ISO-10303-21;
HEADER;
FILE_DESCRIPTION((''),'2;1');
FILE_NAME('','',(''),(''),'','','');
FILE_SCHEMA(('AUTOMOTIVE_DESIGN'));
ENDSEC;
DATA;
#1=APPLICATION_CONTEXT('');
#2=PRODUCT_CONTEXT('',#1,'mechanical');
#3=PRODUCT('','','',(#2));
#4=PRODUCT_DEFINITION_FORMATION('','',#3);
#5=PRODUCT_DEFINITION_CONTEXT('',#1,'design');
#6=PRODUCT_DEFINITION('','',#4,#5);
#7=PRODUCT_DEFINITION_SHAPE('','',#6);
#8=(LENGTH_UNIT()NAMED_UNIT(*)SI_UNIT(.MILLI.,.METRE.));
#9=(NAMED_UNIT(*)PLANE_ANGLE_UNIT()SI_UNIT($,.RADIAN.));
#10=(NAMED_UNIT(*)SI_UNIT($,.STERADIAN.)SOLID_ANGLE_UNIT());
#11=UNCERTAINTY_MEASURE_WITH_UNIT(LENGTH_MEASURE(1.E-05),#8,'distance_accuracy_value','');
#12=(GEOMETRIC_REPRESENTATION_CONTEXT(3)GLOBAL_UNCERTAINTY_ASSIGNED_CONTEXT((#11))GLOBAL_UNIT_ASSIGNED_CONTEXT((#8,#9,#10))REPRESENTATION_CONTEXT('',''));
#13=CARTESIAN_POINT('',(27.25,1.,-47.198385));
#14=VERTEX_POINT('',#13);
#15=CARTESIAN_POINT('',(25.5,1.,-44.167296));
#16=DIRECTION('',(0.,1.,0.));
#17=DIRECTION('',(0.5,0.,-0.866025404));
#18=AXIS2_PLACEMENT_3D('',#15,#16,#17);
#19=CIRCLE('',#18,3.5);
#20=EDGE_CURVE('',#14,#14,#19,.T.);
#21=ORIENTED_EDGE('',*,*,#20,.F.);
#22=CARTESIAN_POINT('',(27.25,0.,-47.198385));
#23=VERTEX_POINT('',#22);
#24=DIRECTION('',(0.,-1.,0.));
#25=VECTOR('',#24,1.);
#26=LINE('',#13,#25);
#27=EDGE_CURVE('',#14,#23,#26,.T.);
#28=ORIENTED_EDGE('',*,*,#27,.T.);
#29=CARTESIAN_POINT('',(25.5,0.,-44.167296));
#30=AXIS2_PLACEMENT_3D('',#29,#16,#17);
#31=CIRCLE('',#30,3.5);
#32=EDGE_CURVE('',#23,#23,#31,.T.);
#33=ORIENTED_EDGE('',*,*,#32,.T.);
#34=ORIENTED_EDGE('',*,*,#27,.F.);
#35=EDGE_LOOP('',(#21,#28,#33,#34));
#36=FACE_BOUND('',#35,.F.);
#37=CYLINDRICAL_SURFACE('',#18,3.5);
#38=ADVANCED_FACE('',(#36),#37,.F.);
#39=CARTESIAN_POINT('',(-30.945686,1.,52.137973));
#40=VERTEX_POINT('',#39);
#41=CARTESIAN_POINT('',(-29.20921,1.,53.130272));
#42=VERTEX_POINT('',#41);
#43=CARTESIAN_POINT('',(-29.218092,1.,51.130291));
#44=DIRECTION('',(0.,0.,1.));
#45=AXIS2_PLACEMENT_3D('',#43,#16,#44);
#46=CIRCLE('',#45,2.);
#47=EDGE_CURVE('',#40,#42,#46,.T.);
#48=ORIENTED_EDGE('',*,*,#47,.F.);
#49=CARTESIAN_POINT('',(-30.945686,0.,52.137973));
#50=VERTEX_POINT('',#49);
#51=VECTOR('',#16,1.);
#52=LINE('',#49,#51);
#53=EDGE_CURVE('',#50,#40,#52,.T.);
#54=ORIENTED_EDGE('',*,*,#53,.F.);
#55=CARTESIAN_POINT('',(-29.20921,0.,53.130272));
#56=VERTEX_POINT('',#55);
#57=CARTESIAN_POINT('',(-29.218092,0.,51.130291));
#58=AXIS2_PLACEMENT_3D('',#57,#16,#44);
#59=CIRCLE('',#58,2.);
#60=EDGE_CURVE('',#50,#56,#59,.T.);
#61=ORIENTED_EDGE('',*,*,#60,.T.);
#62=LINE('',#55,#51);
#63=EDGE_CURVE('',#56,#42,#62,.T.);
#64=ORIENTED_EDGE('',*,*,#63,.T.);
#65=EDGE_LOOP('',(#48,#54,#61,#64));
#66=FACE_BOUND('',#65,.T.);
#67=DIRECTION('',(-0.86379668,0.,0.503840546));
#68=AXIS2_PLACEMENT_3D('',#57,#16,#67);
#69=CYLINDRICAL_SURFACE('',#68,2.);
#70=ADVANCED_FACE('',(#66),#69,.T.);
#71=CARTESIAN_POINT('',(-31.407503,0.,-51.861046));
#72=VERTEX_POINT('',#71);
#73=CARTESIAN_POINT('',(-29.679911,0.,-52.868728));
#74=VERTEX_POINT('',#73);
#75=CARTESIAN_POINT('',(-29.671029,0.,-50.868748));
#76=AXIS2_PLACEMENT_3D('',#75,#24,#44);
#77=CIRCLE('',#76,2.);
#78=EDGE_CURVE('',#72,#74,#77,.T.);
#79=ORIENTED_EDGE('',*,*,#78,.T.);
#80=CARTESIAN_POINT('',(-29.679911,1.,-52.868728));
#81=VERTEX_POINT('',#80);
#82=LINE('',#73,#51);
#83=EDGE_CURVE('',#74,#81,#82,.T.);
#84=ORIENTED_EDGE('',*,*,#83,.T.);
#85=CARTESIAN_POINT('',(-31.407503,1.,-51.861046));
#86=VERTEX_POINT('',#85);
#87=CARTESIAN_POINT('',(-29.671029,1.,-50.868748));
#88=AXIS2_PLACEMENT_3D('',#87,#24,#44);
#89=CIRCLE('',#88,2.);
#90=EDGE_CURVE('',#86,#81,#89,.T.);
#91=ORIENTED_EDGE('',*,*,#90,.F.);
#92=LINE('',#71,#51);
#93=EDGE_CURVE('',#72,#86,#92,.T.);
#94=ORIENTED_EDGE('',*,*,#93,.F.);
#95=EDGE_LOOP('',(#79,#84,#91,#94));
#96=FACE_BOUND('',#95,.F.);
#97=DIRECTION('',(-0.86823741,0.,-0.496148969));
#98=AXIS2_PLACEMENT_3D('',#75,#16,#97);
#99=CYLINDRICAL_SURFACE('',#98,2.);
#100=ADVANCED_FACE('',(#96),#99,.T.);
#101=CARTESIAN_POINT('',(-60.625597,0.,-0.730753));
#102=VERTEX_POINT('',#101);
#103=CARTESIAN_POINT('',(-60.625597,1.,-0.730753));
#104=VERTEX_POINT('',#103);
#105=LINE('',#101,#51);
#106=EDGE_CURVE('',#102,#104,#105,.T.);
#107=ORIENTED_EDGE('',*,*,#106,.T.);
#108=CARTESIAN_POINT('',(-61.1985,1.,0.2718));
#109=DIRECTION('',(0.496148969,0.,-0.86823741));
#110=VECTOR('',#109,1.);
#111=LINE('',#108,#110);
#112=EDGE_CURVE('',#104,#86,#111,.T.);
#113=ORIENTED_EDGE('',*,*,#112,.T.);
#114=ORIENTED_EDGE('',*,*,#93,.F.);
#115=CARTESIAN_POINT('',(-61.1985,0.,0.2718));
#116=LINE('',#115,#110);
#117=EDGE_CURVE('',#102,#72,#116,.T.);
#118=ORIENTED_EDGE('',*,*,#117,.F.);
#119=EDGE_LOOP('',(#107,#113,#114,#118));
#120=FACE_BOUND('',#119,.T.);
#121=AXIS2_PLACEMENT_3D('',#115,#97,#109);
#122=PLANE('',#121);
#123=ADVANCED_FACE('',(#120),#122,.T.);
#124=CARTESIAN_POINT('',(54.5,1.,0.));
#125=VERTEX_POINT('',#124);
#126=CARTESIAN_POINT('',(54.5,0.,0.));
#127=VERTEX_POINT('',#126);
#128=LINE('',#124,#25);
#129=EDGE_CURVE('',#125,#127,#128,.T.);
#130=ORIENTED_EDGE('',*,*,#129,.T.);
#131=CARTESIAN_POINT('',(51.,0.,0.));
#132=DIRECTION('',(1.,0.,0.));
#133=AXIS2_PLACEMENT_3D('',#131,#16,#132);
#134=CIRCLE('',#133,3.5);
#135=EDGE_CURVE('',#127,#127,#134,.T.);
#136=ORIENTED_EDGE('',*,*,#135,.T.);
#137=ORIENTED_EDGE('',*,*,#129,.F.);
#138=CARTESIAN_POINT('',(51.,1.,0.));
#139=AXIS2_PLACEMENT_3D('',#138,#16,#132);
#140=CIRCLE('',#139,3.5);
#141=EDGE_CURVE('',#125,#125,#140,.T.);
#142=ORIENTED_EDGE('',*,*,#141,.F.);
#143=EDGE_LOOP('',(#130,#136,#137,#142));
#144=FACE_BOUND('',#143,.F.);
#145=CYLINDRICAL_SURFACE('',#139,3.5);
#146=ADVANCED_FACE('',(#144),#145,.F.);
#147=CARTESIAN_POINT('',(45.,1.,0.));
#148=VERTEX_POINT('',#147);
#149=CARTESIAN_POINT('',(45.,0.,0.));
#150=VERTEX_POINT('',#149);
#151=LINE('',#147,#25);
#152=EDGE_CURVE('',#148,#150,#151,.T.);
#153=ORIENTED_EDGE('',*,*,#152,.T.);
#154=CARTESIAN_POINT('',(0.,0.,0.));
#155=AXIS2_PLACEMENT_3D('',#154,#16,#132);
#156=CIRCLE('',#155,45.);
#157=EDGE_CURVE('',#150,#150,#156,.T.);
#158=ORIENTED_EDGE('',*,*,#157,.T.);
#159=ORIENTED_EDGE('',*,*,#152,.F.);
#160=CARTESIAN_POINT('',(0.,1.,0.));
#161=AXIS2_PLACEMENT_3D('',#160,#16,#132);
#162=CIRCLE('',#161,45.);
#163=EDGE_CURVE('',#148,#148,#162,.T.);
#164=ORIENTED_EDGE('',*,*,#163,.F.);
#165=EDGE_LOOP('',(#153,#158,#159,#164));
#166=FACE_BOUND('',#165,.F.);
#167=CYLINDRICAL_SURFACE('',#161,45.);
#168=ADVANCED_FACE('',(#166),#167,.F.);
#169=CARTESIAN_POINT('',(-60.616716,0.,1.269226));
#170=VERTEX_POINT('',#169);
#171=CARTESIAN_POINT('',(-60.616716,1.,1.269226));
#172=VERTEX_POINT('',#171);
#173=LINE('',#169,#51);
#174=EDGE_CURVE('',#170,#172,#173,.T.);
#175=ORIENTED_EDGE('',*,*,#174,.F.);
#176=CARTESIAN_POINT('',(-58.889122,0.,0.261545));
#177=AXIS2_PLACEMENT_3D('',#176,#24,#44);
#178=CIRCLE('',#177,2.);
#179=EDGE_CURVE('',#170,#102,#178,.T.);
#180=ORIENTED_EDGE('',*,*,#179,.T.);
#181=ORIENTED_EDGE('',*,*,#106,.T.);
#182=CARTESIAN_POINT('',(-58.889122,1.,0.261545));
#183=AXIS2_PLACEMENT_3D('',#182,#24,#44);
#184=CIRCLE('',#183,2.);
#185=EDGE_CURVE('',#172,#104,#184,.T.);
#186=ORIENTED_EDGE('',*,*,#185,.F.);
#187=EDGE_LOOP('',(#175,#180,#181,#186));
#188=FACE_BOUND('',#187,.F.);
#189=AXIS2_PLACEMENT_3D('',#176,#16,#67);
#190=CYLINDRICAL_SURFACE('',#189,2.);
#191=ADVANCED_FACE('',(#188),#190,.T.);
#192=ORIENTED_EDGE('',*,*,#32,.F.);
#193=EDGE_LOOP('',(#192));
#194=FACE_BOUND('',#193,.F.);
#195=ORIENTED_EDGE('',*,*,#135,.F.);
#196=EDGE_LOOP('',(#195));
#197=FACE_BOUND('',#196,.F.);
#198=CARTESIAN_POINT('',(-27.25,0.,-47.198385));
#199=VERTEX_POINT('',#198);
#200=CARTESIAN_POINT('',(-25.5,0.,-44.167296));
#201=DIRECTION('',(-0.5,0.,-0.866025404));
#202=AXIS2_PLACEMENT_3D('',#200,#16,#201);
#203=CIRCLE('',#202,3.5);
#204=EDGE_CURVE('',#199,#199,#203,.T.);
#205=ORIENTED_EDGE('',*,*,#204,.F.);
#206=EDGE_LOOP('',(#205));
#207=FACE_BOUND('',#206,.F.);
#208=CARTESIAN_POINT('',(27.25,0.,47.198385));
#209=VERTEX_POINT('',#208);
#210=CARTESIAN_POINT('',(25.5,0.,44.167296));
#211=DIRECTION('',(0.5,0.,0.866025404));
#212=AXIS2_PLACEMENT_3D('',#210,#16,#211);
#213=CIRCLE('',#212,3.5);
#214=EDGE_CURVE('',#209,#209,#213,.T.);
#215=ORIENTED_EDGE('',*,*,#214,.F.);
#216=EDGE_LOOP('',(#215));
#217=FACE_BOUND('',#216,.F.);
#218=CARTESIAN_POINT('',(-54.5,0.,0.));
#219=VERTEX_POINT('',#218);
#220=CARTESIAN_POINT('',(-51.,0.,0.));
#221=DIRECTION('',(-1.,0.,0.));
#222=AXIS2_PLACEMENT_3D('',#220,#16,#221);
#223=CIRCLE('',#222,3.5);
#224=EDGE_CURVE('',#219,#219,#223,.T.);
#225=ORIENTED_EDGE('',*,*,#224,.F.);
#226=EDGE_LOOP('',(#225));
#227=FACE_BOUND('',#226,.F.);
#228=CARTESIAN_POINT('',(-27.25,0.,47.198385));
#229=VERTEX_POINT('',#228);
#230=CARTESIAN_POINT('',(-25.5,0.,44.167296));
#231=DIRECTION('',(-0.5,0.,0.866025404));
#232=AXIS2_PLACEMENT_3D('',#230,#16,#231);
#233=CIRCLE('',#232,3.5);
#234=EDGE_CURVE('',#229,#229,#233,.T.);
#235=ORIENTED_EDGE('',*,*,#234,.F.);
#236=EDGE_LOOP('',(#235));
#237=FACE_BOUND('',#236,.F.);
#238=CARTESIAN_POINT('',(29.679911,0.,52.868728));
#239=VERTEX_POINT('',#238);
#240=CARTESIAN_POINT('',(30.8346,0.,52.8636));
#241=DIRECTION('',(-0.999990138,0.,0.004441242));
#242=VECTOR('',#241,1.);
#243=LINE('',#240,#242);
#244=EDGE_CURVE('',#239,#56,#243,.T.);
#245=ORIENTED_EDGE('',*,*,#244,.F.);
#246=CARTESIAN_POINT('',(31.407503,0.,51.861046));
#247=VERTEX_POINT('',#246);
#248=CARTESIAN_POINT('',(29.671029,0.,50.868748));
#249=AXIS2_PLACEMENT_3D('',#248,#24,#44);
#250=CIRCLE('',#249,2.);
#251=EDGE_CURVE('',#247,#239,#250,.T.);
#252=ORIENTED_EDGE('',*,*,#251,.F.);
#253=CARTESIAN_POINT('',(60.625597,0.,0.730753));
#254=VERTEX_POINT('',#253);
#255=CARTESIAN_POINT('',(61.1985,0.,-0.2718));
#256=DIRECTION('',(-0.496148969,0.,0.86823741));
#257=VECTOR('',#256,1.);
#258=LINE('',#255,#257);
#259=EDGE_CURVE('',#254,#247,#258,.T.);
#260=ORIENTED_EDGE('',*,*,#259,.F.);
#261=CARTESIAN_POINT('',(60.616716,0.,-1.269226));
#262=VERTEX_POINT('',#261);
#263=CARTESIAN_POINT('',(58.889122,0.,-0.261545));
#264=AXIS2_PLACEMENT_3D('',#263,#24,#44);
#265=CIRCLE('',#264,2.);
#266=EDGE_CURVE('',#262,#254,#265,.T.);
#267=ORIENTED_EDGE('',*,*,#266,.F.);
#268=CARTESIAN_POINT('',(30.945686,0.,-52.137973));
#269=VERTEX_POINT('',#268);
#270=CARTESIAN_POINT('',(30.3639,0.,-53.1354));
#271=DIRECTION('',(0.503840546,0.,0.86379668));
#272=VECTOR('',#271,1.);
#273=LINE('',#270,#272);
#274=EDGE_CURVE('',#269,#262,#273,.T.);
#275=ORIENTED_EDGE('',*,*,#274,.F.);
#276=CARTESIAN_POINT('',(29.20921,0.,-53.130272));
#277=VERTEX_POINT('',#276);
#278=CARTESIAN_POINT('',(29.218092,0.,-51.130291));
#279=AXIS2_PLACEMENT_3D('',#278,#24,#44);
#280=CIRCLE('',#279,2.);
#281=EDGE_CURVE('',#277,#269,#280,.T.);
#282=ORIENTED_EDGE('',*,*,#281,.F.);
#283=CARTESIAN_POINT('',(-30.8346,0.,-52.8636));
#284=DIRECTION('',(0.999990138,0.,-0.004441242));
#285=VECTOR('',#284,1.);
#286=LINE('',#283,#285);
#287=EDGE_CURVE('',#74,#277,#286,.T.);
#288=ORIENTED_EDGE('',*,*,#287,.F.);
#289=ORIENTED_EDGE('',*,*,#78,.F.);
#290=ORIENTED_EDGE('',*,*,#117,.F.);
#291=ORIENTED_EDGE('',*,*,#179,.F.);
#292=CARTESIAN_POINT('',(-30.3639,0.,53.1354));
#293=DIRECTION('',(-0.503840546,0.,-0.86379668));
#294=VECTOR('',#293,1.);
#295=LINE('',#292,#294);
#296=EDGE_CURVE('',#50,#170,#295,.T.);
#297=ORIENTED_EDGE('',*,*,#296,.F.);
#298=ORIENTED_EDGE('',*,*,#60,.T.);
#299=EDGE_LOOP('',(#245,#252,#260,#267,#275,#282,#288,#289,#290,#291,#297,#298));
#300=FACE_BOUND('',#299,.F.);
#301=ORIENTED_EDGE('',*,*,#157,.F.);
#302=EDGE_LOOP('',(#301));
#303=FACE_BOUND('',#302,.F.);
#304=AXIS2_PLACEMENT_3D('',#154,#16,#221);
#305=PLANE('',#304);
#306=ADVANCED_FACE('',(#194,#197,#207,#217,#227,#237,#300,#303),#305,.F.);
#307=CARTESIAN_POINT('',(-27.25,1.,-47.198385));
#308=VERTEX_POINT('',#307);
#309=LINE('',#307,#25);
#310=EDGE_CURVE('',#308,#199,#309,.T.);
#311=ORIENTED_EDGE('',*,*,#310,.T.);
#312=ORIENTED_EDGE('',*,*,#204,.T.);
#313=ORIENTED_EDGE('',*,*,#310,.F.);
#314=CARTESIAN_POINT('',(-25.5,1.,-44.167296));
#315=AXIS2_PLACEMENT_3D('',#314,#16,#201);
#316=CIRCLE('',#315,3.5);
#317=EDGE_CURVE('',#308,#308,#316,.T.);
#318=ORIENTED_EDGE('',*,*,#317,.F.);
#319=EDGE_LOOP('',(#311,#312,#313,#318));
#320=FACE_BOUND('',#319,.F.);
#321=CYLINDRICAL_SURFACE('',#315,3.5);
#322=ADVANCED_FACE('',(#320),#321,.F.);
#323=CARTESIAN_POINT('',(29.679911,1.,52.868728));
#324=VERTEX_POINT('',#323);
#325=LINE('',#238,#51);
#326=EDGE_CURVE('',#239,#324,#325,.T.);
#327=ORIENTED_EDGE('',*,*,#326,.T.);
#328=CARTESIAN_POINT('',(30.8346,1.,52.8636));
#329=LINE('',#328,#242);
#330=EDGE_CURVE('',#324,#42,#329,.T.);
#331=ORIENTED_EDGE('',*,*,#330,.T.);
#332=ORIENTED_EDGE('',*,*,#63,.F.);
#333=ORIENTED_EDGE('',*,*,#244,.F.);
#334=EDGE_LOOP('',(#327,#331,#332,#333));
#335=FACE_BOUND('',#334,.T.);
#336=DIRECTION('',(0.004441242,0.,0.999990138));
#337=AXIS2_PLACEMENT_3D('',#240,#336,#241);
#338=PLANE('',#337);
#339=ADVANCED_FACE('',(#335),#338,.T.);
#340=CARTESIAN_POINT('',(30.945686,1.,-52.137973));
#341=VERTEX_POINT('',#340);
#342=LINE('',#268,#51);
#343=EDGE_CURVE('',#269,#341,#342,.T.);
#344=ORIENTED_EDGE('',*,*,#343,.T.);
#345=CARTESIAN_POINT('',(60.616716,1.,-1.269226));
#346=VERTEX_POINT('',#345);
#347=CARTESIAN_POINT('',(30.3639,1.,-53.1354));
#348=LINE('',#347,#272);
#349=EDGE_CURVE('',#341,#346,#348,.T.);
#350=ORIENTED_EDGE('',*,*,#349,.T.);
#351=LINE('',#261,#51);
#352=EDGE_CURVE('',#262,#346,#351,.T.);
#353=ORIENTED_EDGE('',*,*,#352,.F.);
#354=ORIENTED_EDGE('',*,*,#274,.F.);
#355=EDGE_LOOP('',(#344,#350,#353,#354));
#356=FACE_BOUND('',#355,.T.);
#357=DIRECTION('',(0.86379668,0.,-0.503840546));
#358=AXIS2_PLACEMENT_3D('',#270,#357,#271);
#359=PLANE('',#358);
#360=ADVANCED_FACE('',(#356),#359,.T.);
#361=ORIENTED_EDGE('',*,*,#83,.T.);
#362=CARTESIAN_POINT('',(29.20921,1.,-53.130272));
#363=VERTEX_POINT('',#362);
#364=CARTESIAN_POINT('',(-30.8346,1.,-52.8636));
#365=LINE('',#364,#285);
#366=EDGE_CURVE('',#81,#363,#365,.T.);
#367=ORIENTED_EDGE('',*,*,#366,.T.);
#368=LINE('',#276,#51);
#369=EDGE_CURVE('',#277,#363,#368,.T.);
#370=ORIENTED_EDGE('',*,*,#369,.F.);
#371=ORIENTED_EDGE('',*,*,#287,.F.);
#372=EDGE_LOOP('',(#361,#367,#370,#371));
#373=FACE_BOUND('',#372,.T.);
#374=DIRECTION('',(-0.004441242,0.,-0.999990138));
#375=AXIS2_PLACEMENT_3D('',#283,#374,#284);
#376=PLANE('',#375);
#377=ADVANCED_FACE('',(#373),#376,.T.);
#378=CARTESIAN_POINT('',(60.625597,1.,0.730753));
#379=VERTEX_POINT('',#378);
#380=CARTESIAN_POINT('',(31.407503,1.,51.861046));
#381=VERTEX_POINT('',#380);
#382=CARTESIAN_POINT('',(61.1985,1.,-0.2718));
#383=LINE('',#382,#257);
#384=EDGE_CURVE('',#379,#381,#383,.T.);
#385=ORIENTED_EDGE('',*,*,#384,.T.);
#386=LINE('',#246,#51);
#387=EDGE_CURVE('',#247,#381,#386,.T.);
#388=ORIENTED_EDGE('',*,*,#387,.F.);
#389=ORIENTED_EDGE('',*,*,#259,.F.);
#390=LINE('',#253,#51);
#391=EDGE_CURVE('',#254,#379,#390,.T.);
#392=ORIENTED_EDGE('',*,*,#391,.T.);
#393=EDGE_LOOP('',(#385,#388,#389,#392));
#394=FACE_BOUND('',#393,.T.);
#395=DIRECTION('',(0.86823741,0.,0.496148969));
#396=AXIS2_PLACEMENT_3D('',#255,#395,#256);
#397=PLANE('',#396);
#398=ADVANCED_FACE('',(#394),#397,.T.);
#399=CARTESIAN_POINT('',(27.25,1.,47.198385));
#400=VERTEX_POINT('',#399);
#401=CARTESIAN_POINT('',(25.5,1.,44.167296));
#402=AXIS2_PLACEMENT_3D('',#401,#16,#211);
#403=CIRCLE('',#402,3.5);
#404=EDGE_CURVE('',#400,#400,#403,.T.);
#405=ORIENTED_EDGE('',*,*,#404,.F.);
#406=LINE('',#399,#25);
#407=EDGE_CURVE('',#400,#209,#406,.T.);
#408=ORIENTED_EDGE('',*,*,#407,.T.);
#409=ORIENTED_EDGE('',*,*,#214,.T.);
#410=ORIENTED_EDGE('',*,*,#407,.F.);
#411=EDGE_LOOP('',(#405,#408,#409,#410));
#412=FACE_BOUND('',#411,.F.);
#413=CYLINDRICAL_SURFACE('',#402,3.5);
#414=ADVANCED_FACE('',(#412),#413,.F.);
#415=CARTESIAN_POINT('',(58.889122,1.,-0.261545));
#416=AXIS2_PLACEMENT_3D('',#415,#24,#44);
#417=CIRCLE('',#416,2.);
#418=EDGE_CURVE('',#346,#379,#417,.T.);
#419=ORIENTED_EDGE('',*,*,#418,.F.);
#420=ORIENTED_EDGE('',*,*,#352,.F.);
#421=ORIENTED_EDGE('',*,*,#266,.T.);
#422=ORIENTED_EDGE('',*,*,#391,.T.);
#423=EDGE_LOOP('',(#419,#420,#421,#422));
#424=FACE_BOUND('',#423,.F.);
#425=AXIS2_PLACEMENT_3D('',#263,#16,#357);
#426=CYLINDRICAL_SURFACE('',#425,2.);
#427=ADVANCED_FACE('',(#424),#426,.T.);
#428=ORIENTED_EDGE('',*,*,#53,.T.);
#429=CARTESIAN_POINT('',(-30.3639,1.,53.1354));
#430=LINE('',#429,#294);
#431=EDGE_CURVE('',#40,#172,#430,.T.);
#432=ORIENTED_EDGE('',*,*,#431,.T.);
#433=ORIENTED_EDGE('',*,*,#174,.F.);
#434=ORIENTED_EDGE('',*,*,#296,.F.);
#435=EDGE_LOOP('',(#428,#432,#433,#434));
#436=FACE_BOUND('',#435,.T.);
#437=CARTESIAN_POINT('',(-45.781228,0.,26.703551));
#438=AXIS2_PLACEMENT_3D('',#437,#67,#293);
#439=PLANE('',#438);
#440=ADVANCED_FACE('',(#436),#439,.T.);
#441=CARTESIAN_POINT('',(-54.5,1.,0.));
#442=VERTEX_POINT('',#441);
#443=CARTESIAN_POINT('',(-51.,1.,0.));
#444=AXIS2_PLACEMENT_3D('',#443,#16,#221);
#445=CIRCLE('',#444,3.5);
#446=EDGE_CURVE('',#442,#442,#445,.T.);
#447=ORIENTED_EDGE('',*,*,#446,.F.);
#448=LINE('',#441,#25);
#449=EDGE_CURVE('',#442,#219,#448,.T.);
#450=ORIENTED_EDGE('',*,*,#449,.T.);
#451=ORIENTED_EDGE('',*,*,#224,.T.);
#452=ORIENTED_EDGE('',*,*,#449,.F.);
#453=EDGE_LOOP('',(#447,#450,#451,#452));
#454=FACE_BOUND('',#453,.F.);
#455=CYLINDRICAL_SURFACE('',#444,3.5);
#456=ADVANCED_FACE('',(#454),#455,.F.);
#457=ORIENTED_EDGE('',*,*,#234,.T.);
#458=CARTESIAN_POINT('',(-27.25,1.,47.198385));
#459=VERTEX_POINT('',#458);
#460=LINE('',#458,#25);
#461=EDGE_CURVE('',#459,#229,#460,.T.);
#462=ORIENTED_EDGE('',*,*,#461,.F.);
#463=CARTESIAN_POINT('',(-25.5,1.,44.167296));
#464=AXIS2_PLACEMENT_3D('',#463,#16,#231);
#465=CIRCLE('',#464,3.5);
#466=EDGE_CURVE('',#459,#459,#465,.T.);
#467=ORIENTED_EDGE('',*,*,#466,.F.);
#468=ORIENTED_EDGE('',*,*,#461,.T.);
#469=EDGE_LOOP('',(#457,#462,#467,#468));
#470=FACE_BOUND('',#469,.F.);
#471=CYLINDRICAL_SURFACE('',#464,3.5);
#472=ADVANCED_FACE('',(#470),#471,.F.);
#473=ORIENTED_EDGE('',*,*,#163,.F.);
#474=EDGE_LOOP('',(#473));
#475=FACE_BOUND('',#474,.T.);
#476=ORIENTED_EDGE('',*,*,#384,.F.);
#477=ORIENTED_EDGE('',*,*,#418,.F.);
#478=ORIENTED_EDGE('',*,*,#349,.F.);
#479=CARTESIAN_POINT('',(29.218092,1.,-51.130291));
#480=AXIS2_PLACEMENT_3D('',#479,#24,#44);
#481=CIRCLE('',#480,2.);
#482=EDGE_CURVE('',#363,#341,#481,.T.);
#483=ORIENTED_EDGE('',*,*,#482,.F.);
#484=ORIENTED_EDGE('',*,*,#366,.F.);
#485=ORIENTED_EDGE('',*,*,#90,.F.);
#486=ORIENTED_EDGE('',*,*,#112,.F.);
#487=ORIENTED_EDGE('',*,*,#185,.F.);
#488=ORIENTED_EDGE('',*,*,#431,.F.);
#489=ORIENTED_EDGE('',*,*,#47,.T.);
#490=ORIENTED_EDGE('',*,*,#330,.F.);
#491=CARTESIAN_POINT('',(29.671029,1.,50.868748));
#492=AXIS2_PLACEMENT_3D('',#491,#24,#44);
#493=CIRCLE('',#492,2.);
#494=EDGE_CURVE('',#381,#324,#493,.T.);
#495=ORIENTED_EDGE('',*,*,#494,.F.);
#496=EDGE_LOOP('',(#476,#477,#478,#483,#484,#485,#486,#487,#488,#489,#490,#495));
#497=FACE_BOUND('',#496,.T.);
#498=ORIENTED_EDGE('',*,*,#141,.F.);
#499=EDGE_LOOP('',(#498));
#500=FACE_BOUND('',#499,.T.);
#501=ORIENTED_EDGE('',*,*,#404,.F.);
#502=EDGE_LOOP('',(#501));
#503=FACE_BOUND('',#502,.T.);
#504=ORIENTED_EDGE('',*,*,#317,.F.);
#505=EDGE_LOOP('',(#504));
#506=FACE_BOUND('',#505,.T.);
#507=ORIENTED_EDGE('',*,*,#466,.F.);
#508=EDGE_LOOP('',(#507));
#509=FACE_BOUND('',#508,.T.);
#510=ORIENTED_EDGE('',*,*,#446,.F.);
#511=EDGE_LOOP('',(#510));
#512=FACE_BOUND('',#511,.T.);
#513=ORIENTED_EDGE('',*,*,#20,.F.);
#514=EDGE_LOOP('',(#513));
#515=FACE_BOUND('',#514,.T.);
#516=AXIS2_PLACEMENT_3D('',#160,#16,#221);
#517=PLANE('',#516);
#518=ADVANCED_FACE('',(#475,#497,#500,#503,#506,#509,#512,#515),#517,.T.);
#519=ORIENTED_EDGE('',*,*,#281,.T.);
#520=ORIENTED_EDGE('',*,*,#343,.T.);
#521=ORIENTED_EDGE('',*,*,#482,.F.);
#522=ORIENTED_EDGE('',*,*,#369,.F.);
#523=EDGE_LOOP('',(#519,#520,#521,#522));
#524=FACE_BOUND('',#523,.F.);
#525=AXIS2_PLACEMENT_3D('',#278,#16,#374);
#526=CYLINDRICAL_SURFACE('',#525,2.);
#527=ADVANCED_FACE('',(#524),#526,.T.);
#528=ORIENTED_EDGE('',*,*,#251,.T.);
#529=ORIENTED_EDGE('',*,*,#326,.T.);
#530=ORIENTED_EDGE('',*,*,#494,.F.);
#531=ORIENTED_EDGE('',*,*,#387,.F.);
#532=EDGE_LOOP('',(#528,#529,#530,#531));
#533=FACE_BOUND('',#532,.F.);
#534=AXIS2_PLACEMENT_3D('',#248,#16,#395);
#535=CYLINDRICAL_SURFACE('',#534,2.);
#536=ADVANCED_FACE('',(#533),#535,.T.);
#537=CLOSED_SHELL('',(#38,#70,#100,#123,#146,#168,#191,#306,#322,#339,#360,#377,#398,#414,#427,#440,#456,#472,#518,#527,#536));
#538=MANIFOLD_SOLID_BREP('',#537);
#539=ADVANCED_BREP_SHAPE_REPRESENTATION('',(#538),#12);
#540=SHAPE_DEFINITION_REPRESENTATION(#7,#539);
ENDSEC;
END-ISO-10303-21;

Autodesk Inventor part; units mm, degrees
ref_plane "YZ Plane" through (0, 0, 0) normal (1, 0, 0) x (0, 1, 0)
ref_plane "XZ Plane" through (0, 0, 0) normal (0, 1, 0) x (-1, 0, 0)
ref_plane "XY Plane" through (0, 0, 0) normal (0, 0, 1) x (1, 0, 0)
sketch "Sketch3" plane through (0, 0, 0) normal (0, 1, 0) x (-1, 0, 0)
  circle A0 centre (0, 0) radius 53
  line L0 (-61.1985, -0.2718) -> (-30.8346, 52.8636)
  line L1 (-30.8346, 52.8636) -> (30.3639, 53.1354)
  line L2 (30.3639, 53.1354) -> (61.1985, 0.2718)
  line L3 (61.1985, 0.2718) -> (30.8346, -52.8636)
  line L4 (30.8346, -52.8636) -> (-30.3639, -53.1354)
  line L5 (-30.3639, -53.1354) -> (-61.1985, -0.2718)
  point P0 (-45.7812, -26.7036)
  dimension "d4" = 106
extrude "Extrusion2" add sketch "Sketch3" along normal blind 1
sketch "Sketch4" plane through (0, 1, 0) normal (0, 1, 0) x (1, 0, 0)
  circle A0 centre (0, 0) radius 45
  dimension "d7" = 90
extrude "Extrusion3" cut sketch "Sketch4" against normal blind 1
sketch "Sketch11" plane through (0, 1, 0) normal (0, 1, 0) x (1, 0, 0)
  line L0 (0, 0) -> (51, 0)
  circle A0 centre (51, 0) radius 3.5
  dimension "d19" = 51
  dimension "d20" = 7
extrude "Extrusion5" cut sketch "Sketch11" against normal blind 10
pattern_circular "Circular Pattern2" count 6 over 360 about axis through (0, 1, 0) along (0, -1, 0) of "Extrusion5"
fillet "Fillet1" radius 2 1 edges at (-30.3639, 0.5, 53.1354)
pattern_circular "Circular Pattern3" count 6 over 360 about axis through (0, 1, 0) along (0, -1, 0) of "Fillet1"
properties part number "crankcase gasket"
